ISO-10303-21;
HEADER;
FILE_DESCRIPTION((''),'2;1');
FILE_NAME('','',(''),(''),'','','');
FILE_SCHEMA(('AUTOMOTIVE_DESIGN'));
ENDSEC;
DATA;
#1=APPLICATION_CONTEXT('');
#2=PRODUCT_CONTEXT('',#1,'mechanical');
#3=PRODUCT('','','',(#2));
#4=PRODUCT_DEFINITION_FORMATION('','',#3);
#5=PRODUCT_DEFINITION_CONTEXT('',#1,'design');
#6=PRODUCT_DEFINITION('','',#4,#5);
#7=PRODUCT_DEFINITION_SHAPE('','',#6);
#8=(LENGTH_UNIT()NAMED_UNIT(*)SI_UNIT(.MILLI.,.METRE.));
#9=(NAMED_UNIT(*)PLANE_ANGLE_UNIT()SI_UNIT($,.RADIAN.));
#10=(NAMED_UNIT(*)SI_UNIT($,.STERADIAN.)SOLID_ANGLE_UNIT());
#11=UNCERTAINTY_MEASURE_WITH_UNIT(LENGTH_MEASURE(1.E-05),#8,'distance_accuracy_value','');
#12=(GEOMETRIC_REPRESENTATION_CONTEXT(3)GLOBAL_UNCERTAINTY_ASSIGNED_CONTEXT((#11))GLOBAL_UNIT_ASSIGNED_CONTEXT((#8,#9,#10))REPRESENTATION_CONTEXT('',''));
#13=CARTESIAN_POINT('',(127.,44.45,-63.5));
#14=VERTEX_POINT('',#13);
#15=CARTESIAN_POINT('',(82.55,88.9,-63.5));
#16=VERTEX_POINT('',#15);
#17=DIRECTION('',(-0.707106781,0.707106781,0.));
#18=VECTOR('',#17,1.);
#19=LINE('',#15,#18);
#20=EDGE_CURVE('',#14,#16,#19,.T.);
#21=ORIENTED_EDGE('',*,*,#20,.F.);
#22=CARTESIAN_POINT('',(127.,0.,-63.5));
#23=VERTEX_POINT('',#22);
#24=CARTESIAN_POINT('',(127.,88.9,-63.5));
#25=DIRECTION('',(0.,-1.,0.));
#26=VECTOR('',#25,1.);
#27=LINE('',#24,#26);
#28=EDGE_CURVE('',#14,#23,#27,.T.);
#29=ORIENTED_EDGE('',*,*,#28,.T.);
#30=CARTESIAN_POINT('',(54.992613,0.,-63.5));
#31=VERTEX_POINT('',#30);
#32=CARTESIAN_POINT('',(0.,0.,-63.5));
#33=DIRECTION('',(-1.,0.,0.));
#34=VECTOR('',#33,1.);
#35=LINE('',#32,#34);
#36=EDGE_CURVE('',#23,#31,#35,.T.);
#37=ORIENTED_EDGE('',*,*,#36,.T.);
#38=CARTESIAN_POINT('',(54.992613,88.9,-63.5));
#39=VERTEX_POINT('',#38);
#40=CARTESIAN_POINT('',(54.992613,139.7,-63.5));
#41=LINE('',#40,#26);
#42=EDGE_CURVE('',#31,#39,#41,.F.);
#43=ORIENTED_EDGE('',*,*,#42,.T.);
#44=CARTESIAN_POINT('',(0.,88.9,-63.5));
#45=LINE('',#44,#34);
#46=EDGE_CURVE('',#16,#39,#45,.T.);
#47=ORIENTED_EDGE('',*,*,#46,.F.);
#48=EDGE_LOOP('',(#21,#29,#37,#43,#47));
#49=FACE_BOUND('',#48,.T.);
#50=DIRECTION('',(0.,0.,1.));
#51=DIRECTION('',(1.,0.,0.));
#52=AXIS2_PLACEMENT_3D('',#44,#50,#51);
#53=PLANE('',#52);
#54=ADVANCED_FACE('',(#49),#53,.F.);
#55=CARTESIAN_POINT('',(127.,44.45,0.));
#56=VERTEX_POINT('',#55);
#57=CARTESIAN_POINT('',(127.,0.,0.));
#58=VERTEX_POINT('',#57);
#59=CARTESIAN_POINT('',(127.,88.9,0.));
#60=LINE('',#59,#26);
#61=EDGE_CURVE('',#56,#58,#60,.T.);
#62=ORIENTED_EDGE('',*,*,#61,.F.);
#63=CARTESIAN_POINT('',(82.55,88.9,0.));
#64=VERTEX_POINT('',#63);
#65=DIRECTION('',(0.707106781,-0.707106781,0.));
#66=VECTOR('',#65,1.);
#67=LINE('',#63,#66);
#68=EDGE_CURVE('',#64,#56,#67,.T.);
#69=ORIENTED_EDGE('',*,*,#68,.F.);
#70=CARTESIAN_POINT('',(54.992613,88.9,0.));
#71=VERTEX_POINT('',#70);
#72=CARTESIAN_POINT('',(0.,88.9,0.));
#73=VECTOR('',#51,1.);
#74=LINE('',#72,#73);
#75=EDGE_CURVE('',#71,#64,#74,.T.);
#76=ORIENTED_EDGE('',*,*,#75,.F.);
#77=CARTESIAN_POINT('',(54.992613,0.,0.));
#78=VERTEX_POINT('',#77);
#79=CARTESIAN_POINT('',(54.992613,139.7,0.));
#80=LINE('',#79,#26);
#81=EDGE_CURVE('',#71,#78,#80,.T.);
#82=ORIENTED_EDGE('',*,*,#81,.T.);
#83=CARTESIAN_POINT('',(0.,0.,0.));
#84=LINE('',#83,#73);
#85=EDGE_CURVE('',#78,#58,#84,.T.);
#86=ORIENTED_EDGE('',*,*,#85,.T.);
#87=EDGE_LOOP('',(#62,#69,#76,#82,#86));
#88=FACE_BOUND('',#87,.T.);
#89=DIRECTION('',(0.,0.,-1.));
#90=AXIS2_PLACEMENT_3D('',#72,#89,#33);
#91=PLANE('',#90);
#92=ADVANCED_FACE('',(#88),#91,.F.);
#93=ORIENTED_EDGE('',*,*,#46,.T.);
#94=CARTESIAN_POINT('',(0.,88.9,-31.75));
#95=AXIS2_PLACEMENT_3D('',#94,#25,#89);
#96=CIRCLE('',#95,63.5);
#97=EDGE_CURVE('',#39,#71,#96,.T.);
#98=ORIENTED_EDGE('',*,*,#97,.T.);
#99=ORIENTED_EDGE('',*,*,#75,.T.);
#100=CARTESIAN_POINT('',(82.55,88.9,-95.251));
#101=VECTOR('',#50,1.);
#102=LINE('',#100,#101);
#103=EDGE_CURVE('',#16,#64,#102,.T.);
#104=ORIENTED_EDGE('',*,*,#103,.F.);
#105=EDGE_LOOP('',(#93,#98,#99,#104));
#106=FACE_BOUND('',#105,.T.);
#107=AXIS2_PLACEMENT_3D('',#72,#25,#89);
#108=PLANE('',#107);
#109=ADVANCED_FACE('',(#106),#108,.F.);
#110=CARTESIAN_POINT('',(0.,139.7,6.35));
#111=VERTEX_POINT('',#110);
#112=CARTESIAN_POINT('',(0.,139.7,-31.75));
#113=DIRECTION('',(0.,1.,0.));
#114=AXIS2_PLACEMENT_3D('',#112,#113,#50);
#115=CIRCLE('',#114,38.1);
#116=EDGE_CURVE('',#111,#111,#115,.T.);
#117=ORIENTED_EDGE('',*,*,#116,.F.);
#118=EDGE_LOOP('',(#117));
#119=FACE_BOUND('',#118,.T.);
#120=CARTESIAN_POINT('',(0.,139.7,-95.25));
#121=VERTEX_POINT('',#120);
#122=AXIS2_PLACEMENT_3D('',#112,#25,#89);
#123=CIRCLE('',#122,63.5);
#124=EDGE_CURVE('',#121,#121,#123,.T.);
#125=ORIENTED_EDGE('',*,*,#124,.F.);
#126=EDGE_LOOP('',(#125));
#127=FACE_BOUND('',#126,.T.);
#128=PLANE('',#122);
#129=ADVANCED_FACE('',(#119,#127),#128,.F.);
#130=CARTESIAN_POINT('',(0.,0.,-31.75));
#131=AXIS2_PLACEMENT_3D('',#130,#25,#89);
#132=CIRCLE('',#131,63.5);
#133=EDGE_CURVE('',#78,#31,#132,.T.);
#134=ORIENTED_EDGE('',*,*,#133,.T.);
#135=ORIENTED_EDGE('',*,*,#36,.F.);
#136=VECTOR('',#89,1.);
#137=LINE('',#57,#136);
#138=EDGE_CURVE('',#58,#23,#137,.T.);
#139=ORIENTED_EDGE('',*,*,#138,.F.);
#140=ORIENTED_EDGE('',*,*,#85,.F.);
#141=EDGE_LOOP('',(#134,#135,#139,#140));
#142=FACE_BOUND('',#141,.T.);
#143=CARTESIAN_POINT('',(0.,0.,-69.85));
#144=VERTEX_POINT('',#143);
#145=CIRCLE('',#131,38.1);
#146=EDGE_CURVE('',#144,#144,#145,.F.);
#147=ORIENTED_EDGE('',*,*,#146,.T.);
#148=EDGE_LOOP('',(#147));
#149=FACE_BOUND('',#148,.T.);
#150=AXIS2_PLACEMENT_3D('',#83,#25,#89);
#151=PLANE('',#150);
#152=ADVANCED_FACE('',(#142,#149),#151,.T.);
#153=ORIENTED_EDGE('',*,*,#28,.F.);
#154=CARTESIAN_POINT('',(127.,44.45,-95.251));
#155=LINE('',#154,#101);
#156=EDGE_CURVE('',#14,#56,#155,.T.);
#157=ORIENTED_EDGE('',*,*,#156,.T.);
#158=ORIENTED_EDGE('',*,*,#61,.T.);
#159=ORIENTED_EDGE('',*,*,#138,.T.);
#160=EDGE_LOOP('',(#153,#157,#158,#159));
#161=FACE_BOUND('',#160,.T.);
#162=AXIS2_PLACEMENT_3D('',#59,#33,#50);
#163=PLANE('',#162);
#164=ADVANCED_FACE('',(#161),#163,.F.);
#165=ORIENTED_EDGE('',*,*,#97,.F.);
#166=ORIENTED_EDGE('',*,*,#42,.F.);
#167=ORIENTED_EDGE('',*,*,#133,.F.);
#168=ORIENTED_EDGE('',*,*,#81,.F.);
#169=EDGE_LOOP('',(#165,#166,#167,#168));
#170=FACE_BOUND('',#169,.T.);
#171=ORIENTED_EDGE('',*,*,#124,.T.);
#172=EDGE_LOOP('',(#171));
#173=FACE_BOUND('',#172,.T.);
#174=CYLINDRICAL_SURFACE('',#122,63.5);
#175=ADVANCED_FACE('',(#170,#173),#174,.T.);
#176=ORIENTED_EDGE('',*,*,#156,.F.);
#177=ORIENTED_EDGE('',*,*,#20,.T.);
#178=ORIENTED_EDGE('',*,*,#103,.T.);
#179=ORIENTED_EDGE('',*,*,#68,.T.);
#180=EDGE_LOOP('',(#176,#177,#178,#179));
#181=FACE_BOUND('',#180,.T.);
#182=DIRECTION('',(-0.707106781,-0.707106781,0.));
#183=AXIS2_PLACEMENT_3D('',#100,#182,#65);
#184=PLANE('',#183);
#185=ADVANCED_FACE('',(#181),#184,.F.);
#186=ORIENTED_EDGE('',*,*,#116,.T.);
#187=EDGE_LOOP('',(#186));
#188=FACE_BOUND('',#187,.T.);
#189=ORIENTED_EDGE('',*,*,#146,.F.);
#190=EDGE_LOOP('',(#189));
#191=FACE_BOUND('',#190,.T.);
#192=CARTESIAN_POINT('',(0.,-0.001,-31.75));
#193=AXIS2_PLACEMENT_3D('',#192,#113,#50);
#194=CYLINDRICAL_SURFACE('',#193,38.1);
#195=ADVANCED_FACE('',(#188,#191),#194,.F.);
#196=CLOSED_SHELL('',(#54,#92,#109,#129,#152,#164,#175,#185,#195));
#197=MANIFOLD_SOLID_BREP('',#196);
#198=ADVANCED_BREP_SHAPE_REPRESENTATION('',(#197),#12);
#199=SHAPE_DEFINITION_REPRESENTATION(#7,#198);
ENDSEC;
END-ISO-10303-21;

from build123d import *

# Parameters (mm, degrees)
SKETCH1_W           = 127
SKETCH1_H           = 63.5
BOSS_EXTRUDE1_DEPTH = 88.9
SKETCH3_R           = 63.5
BOSS_EXTRUDE2_DEPTH = 139.7
CUT_EXTRUDE1_REACH  = 213.465
CUT_EXTRUDE2_REACH  = 213.465
SKETCH5_R           = 38.1


with BuildPart() as part:
    # Sketch1 → Boss-Extrude1 (new body)
    with BuildSketch(Plane(origin=(0, 0, 0), x_dir=(1, 0, 0), z_dir=(0, 1, 0))):
        with Locations((63.5, 31.75)):
            Rectangle(SKETCH1_W, SKETCH1_H)
    extrude(amount=BOSS_EXTRUDE1_DEPTH)

    # Sketch3 → Boss-Extrude2 (add)
    with BuildSketch(Plane.XZ):
        with Locations(Location((0, -31.75, 0), (0, 0, 270))):
            Circle(SKETCH3_R)
    extrude(amount=-BOSS_EXTRUDE2_DEPTH)

    # Sketch4 → Cut-Extrude1 (cut, up to next)
    with BuildSketch(Plane.XY, mode=Mode.PRIVATE) as cut_extrude1_sk1:
        Polygon((82.55, 88.9), (127, 44.45), (127, 88.9), align=None)
    cut_extrude1_tool1 = extrude(cut_extrude1_sk1.sketch, amount=-CUT_EXTRUDE1_REACH, mode=Mode.PRIVATE) & part.part
    add(cut_extrude1_tool1.solids().sort_by_distance((112.183333, 74.083333, 0))[0], mode=Mode.SUBTRACT)

    # Sketch5 → Cut-Extrude2 (cut, up to next)
    with BuildSketch(Plane(origin=(0, 139.7, 0), x_dir=(1, 0, 0), z_dir=(0, 1, 0)), mode=Mode.PRIVATE) as cut_extrude2_sk1:
        with Locations(Location((0, 31.75, 0), (0, 0, 270))):
            Circle(SKETCH5_R)
    cut_extrude2_tool1 = extrude(cut_extrude2_sk1.sketch, amount=-CUT_EXTRUDE2_REACH, mode=Mode.PRIVATE) & part.part
    add(cut_extrude2_tool1.solids().sort_by_distance((0, 139.7, -31.75))[0], mode=Mode.SUBTRACT)


solid = part.part
